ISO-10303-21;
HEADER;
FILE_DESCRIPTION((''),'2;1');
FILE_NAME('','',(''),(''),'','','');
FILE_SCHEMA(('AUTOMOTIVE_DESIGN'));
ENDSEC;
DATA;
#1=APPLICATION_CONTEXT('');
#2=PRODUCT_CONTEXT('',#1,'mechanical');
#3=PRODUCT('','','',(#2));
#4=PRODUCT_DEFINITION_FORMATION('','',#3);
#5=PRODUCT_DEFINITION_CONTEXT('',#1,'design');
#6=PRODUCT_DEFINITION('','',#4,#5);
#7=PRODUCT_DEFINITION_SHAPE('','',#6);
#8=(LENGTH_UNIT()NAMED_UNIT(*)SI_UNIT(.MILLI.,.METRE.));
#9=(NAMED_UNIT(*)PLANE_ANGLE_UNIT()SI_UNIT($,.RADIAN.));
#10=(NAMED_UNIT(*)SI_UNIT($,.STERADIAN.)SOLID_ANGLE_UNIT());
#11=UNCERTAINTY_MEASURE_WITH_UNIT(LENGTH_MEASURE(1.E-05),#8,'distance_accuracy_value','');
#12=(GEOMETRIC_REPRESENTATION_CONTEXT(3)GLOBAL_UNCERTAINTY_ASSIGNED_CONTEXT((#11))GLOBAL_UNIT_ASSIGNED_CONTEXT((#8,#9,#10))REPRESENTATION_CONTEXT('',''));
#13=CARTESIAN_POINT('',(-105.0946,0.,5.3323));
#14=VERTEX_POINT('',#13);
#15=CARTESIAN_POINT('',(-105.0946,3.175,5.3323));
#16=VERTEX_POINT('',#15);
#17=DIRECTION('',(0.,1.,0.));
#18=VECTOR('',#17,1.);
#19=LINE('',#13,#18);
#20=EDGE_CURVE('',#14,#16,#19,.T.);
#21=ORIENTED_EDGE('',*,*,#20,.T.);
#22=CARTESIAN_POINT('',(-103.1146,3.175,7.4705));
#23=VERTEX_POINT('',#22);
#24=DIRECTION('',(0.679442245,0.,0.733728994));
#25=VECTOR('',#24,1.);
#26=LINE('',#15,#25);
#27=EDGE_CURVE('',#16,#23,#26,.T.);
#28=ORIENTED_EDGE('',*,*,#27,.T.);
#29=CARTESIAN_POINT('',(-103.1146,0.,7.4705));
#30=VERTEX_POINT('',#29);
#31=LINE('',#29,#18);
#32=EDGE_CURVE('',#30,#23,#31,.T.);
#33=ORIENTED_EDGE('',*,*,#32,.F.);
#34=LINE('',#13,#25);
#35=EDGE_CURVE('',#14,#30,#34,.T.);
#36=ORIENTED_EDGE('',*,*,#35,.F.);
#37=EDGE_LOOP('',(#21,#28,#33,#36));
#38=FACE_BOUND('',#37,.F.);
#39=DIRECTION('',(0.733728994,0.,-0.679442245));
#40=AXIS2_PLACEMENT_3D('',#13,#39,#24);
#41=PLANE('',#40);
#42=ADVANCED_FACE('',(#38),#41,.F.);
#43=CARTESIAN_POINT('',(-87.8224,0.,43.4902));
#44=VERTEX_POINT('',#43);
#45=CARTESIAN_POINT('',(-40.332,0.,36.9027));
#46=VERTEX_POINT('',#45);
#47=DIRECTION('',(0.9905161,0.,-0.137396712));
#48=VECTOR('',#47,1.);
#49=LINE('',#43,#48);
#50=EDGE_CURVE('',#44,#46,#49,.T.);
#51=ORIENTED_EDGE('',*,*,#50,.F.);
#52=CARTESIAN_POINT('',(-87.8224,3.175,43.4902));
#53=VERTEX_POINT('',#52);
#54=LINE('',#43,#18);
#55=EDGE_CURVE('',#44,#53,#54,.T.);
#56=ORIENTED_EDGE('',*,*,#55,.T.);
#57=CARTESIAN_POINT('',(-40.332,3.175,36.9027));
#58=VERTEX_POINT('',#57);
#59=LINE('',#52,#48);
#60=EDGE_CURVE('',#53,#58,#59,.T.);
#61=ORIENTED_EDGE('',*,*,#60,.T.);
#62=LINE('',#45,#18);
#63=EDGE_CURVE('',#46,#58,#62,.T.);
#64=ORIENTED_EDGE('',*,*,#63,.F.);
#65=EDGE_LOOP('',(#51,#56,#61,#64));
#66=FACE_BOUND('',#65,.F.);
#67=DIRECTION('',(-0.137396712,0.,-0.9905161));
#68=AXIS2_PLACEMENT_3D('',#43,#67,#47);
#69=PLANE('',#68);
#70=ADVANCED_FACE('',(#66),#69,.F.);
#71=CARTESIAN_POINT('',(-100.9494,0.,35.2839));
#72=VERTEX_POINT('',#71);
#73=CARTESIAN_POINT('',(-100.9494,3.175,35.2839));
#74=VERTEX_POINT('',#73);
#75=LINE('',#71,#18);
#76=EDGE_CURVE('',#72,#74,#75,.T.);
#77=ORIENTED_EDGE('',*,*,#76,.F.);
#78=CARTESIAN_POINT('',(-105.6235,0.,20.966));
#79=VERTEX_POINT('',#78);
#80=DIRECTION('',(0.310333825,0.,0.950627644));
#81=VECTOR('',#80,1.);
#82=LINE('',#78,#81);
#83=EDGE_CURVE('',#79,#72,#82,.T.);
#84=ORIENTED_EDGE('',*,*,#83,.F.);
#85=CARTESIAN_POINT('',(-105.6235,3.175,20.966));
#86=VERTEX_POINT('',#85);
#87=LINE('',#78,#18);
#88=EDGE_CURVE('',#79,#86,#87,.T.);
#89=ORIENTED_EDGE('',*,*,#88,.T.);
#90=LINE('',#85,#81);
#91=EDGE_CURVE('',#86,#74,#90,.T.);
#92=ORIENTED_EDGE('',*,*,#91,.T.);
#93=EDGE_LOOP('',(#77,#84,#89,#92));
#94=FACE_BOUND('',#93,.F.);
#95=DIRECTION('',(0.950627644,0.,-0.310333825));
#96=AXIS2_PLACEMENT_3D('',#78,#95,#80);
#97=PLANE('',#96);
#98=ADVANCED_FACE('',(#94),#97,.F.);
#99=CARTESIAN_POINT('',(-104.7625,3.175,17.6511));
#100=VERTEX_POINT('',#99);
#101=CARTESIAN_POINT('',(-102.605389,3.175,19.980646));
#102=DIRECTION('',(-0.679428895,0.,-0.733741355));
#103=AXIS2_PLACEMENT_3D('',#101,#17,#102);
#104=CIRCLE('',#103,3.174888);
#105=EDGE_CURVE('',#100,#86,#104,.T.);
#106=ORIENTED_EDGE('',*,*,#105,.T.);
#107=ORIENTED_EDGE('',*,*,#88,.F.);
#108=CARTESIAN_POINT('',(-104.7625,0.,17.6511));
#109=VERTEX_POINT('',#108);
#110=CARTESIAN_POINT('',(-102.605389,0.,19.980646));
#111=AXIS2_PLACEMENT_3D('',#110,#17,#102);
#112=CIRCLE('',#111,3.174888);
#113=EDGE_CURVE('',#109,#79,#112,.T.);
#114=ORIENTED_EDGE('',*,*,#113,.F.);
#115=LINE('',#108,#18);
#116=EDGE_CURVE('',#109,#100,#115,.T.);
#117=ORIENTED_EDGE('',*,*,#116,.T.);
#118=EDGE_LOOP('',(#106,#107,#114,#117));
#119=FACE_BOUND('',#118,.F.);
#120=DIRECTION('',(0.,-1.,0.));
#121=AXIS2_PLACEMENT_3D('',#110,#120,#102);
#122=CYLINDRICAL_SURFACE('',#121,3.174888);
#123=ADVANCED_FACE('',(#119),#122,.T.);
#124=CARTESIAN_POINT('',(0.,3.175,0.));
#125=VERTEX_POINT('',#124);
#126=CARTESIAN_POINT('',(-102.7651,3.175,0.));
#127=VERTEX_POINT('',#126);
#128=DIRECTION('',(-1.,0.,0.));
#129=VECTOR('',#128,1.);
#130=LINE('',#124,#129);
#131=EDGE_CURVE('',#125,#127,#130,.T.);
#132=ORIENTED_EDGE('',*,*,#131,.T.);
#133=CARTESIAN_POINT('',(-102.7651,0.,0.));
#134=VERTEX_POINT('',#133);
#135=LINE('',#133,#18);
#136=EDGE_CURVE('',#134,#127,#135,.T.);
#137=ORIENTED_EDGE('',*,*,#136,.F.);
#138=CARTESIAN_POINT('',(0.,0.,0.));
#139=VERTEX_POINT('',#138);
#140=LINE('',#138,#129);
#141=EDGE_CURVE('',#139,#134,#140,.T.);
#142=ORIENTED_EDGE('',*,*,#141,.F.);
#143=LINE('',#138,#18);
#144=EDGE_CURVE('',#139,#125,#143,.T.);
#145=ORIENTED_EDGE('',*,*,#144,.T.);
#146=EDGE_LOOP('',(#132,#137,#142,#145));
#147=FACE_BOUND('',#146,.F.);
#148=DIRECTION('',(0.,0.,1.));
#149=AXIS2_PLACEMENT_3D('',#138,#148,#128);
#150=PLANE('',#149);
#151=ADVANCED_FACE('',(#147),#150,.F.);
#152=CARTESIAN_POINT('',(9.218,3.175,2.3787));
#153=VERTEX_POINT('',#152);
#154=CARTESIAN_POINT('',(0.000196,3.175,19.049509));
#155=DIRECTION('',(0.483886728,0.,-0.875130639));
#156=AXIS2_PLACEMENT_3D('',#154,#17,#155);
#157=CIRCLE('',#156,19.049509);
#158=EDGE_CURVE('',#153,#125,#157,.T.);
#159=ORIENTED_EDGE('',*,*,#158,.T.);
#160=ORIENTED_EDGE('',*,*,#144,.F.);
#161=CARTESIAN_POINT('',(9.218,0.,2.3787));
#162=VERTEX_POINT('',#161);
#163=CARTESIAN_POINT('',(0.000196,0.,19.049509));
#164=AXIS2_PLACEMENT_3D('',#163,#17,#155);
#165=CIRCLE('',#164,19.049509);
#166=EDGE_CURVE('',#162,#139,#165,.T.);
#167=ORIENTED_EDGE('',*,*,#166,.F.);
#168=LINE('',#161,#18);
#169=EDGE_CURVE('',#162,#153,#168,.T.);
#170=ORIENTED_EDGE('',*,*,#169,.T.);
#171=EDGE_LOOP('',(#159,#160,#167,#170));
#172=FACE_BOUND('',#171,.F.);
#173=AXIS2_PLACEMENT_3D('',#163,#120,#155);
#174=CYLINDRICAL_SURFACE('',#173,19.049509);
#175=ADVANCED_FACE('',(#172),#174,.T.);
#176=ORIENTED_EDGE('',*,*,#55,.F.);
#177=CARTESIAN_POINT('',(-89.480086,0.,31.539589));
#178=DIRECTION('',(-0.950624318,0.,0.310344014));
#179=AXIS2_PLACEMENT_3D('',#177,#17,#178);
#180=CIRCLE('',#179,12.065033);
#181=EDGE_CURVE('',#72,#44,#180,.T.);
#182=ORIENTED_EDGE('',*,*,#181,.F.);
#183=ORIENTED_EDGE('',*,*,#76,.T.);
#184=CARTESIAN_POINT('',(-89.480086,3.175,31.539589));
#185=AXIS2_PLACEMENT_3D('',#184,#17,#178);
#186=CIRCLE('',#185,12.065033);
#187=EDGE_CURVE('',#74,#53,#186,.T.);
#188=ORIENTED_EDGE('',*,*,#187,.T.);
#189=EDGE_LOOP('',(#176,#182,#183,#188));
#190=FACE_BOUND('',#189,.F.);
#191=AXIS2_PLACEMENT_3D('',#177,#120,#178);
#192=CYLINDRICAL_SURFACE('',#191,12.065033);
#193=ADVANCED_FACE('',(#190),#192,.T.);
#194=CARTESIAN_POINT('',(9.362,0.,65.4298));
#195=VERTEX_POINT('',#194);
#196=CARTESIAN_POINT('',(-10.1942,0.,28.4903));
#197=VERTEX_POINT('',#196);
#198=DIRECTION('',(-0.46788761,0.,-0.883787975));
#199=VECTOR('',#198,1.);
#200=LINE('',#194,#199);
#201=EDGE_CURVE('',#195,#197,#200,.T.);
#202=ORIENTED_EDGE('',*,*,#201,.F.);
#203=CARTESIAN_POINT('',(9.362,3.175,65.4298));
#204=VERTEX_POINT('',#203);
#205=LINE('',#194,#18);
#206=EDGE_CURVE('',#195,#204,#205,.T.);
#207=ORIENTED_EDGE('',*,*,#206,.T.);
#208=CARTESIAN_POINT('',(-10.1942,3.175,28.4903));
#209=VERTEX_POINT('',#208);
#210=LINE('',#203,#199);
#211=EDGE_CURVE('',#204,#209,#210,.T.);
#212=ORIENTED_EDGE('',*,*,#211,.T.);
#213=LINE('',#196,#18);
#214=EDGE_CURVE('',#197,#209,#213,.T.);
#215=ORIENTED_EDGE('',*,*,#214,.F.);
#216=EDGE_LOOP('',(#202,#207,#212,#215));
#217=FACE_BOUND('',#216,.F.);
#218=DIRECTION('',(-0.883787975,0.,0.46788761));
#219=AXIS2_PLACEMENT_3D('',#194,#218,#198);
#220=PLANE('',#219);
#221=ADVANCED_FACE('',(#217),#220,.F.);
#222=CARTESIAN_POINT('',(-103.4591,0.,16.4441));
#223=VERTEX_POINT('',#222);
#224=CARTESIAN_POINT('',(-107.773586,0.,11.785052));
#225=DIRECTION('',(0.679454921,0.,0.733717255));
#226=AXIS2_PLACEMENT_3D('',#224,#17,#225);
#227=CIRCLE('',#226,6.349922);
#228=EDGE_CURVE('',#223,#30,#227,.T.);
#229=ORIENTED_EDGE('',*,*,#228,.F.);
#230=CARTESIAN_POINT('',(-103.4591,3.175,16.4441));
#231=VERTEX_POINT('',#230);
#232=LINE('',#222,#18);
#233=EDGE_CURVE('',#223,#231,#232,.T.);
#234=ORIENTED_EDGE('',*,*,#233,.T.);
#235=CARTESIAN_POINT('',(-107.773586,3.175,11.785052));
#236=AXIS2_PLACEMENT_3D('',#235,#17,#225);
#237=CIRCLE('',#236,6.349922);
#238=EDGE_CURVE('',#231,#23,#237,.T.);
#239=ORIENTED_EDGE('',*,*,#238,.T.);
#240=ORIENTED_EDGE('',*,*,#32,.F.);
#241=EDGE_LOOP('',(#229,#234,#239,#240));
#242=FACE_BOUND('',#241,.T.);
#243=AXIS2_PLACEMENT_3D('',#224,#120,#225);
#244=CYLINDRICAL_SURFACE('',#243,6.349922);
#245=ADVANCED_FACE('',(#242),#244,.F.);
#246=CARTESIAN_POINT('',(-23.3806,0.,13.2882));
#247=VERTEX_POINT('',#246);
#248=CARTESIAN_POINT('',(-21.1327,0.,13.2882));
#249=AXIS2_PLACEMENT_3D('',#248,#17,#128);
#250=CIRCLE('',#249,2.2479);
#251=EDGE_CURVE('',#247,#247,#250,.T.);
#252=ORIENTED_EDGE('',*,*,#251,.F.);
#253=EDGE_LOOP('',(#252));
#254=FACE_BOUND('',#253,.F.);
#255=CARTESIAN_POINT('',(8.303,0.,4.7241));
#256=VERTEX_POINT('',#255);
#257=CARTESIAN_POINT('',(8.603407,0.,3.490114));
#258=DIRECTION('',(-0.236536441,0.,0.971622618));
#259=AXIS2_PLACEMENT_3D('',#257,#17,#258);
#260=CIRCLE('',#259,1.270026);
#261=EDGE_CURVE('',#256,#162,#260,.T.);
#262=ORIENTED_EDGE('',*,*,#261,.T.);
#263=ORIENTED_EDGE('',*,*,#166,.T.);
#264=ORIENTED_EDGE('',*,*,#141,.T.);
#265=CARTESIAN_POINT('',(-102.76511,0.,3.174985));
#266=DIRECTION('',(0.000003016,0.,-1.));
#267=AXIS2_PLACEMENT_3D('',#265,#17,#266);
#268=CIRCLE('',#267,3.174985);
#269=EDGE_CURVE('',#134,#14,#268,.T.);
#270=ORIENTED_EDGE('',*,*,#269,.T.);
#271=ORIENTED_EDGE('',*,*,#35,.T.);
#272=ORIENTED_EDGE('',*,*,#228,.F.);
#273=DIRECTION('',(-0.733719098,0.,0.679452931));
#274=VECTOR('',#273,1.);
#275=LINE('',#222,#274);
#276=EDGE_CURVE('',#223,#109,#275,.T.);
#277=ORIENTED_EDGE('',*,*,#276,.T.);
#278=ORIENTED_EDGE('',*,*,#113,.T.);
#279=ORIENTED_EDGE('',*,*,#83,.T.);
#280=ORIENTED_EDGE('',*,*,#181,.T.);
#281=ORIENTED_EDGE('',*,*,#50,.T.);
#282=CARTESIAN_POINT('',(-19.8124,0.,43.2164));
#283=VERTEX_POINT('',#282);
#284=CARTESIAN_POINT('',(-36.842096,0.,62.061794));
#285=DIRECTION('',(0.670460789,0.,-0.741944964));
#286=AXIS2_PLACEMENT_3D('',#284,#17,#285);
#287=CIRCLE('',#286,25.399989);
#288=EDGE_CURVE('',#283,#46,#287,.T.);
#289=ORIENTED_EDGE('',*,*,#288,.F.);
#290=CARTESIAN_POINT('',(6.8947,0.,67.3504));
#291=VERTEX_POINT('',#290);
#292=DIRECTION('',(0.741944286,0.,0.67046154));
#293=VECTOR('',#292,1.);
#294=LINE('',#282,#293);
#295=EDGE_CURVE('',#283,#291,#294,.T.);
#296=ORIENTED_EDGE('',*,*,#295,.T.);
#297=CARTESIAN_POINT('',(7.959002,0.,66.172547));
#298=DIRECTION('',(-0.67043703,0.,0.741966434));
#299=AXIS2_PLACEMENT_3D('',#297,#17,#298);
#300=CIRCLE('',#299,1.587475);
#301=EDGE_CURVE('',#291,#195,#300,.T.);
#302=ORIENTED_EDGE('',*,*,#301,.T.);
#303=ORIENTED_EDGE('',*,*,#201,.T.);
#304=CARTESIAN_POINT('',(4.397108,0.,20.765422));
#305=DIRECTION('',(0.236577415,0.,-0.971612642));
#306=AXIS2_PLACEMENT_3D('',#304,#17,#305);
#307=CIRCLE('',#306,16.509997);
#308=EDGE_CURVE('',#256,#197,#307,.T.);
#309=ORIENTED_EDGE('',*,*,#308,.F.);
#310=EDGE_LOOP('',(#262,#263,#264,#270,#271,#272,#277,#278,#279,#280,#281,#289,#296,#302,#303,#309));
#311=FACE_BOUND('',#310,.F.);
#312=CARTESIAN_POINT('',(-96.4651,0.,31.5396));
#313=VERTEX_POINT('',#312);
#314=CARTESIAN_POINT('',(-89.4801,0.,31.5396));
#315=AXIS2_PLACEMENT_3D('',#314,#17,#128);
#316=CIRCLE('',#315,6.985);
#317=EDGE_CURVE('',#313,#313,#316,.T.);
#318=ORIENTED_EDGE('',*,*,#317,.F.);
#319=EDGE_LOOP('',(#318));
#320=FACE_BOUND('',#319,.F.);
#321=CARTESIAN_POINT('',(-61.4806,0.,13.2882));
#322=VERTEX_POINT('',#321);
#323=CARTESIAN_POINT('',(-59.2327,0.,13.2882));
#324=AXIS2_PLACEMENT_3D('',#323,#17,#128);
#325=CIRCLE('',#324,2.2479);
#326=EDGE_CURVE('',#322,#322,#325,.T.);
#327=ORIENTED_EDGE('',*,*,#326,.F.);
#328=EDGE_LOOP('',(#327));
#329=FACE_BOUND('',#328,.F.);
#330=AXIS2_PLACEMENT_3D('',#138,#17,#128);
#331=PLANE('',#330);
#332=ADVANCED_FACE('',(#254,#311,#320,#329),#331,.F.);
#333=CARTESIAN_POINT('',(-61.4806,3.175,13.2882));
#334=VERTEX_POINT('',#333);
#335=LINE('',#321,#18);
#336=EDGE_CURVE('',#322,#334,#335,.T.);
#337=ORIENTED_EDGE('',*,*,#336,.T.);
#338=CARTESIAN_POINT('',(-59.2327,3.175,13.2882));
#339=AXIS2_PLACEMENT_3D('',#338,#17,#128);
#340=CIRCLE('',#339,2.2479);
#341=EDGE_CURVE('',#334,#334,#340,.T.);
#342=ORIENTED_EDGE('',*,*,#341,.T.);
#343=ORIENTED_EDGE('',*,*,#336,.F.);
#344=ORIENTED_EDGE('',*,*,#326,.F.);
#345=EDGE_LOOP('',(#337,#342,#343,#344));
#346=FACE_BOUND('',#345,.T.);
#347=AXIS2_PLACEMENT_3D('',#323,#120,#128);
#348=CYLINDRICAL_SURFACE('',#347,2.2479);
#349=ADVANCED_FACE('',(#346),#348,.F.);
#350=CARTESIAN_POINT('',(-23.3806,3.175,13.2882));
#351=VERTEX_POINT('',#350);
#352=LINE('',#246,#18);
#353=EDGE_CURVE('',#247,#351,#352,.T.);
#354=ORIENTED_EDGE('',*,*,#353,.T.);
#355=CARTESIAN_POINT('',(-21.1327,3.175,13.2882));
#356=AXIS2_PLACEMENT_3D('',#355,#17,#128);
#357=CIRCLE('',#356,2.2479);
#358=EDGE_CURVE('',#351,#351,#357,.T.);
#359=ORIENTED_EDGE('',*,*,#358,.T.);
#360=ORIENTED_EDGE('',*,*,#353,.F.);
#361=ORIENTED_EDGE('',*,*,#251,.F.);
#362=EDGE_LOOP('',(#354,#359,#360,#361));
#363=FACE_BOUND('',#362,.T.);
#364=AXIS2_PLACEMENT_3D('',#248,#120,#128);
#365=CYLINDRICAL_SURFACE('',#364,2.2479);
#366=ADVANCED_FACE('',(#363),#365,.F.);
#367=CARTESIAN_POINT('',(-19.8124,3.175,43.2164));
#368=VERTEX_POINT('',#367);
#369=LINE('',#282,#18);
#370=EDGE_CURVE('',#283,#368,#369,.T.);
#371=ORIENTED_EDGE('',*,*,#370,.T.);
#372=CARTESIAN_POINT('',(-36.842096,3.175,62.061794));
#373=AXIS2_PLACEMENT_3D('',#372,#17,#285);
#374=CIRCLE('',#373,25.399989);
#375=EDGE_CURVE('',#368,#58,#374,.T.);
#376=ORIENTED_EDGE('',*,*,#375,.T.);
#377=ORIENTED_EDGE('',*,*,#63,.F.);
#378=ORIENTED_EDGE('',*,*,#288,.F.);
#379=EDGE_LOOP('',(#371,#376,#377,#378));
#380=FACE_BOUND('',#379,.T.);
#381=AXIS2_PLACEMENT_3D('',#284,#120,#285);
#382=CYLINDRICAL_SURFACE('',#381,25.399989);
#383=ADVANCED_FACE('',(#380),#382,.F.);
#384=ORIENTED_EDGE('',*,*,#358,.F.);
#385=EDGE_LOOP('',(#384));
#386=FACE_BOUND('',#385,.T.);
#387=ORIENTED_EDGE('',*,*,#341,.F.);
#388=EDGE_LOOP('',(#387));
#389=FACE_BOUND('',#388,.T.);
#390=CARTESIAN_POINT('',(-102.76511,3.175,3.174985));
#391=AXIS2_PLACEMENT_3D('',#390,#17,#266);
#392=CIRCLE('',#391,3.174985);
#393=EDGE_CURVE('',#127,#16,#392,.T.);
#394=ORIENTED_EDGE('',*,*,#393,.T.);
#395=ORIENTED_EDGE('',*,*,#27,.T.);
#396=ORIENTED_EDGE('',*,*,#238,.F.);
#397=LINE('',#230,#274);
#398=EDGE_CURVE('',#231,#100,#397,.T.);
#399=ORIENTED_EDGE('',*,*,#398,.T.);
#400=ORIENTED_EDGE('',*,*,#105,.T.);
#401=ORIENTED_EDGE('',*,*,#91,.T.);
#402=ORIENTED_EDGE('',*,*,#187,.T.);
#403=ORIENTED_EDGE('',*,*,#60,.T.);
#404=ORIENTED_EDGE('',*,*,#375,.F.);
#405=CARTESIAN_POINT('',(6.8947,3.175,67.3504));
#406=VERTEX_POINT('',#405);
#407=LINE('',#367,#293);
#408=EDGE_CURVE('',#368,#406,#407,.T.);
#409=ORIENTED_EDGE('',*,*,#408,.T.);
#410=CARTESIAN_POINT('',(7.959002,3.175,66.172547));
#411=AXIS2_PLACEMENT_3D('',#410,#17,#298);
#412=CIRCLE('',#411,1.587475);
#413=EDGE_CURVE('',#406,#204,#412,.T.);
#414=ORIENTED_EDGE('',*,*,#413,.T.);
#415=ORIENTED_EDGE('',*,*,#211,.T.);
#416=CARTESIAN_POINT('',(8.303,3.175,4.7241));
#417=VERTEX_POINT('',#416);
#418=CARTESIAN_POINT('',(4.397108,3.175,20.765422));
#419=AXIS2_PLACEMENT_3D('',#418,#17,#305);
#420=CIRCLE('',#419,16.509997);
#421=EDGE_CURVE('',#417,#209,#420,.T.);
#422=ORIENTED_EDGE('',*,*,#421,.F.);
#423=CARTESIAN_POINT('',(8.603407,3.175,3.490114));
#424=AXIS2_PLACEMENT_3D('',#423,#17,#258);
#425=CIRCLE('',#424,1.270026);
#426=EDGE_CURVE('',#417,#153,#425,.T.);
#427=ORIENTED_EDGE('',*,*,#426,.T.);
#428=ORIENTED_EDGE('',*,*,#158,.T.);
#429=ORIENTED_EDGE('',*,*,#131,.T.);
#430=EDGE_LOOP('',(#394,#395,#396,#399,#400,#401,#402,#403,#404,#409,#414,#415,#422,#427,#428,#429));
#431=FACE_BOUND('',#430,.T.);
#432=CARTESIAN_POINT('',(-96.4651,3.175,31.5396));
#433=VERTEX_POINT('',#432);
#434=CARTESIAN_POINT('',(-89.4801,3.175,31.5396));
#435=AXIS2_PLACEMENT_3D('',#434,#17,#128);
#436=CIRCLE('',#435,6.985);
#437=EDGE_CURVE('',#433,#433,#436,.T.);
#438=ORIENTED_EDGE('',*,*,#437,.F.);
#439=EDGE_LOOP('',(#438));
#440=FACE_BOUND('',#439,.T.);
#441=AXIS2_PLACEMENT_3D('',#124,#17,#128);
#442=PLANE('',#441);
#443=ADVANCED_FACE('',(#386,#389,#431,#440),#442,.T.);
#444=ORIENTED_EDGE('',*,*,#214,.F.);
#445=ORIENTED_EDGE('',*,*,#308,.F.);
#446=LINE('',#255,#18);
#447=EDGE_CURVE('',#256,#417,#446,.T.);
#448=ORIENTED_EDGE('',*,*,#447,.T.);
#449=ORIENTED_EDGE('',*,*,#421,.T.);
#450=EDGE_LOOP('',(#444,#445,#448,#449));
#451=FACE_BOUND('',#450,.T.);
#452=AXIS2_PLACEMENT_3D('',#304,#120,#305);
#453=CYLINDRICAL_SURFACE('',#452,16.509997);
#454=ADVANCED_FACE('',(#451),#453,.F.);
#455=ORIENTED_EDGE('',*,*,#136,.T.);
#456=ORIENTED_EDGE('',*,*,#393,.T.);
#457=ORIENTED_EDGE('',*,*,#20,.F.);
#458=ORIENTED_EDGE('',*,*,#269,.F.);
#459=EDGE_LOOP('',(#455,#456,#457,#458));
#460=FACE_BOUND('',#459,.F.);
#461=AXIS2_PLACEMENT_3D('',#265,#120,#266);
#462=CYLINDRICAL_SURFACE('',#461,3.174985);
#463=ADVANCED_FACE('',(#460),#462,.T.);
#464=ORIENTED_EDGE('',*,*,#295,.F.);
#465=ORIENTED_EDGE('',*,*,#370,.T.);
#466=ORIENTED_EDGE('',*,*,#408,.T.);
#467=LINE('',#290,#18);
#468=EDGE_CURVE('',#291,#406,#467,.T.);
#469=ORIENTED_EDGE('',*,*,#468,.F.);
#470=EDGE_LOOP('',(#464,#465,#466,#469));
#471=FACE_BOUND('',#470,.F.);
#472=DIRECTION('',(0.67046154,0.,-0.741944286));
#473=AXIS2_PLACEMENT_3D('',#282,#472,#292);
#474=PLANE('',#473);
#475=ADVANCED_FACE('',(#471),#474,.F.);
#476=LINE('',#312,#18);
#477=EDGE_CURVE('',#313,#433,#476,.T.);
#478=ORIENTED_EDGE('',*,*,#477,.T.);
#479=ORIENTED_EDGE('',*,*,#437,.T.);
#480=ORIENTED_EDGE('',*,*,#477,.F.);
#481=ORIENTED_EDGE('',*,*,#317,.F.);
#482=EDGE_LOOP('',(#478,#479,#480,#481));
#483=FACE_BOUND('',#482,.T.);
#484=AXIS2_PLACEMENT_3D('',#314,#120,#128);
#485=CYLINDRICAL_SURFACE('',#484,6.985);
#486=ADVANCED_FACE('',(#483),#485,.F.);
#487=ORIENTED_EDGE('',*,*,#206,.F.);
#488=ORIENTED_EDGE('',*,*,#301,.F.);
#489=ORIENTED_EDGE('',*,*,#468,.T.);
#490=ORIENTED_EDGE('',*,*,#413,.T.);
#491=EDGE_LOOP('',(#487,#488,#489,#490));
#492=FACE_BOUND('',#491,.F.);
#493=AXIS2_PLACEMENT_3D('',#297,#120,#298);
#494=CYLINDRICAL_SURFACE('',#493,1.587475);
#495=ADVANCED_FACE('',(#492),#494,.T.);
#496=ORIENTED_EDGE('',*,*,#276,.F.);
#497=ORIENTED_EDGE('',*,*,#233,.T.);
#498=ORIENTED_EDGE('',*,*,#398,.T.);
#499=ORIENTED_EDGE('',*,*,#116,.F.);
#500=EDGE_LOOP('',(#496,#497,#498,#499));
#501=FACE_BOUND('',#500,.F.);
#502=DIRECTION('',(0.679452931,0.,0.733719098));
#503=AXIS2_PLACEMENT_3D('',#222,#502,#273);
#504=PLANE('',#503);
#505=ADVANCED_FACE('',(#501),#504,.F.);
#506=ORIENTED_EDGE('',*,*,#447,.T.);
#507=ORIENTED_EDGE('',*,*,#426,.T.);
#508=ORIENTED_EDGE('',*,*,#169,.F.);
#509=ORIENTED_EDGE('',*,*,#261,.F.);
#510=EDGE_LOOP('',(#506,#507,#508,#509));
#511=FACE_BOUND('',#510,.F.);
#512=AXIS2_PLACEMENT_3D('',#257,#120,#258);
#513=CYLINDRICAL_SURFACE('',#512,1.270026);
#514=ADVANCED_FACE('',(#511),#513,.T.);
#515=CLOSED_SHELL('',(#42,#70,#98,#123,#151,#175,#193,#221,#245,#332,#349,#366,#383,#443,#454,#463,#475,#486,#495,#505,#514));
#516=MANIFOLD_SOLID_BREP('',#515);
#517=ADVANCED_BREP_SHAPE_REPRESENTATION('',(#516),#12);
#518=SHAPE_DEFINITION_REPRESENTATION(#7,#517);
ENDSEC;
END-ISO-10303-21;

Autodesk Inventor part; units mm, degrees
ref_plane "YZ Plane" through (0, 0, 0) normal (1, 0, 0) x (0, 1, 0)
ref_plane "XZ Plane" through (0, 0, 0) normal (0, 1, 0) x (-1, 0, 0)
ref_plane "XY Plane" through (0, 0, 0) normal (0, 0, 1) x (1, 0, 0)
sketch "Sketch1" plane through (0, 0, 0) normal (0, 1, 0) x (-1, 0, 0)
  line L0 (103.4591, 16.4441) -> (104.7625, 17.6511)
  arc A0 (104.7625, 17.6511) -> (105.6235, 20.966) centre (102.6053, 19.9807) ccw
  line L1 (105.6235, 20.966) -> (100.9494, 35.2839)
  arc A1 (100.9494, 35.2839) -> (87.8224, 43.4902) centre (89.4801, 31.5396) ccw
  line L2 (87.8224, 43.4902) -> (40.332, 36.9027)
  arc A2 (19.8124, 43.2164) -> (40.332, 36.9027) centre (36.8421, 62.0618) ccw
  line L3 (19.8124, 43.2164) -> (-6.8947, 67.3504)
  arc A3 (-6.8947, 67.3504) -> (-9.362, 65.4298) centre (-7.959, 66.1726) ccw
  line L4 (-9.362, 65.4298) -> (10.1942, 28.4903)
  arc A4 (-8.303, 4.7241) -> (10.1942, 28.4903) centre (-4.3971, 20.7654) ccw
  arc A5 (-8.303, 4.7241) -> (-9.218, 2.3787) centre (-8.6034, 3.4901) ccw
  arc A6 (-9.218, 2.3787) -> (0, 0) centre (0, 19.05) ccw
  line L5 (0, 0) -> (102.7651, 0)
  arc A7 (102.7651, 0) -> (105.0946, 5.3323) centre (102.7651, 3.175) ccw
  line L6 (105.0946, 5.3323) -> (103.1146, 7.4705)
  arc A8 (103.4591, 16.4441) -> (103.1146, 7.4705) centre (107.7737, 11.785) ccw
  circle A9 centre (89.4801, 31.5396) radius 6.985
  circle A10 centre (21.1327, 13.2882) radius 2.2479
  circle A11 centre (59.2327, 13.2882) radius 2.2479
  point P0 (0, 0)
  point P1 (-8.303, 4.7241)
  point P2 (-9.218, 2.3787)
  point P3 (0, 0)
  point P4 (102.7651, 0)
  point P5 (105.0946, 5.3323)
  point P6 (105.6235, 20.966)
  point P7 (19.8124, 43.2164)
  point P8 (-9.362, 65.4298)
  point P9 (10.1942, 28.4903)
extrude "Plate1" add sketch "Sketch1" along normal blind 3.175
equation "\"d0\" = Thickness"
equation "\"BendRadius\" = Thickness"
equation "\"BendReliefWidth\" = Thickness"
equation "\"BendReliefDepth\" = 0.5 * Thickness"
equation "\"CornerReliefSize\" = 4 * Thickness"
equation "\"MinimumRemnant\" = 2 * Thickness"
equation "\"TransitionRadius\" = BendRadius"
equation "\"JacobiRadiusSize\" = BendRadius"
equation "\"GapSize\" = Thickness"
equation "\"Thickness\" = 3.175"
properties part number "hook-top-plate" material "Aluminum 6061"
